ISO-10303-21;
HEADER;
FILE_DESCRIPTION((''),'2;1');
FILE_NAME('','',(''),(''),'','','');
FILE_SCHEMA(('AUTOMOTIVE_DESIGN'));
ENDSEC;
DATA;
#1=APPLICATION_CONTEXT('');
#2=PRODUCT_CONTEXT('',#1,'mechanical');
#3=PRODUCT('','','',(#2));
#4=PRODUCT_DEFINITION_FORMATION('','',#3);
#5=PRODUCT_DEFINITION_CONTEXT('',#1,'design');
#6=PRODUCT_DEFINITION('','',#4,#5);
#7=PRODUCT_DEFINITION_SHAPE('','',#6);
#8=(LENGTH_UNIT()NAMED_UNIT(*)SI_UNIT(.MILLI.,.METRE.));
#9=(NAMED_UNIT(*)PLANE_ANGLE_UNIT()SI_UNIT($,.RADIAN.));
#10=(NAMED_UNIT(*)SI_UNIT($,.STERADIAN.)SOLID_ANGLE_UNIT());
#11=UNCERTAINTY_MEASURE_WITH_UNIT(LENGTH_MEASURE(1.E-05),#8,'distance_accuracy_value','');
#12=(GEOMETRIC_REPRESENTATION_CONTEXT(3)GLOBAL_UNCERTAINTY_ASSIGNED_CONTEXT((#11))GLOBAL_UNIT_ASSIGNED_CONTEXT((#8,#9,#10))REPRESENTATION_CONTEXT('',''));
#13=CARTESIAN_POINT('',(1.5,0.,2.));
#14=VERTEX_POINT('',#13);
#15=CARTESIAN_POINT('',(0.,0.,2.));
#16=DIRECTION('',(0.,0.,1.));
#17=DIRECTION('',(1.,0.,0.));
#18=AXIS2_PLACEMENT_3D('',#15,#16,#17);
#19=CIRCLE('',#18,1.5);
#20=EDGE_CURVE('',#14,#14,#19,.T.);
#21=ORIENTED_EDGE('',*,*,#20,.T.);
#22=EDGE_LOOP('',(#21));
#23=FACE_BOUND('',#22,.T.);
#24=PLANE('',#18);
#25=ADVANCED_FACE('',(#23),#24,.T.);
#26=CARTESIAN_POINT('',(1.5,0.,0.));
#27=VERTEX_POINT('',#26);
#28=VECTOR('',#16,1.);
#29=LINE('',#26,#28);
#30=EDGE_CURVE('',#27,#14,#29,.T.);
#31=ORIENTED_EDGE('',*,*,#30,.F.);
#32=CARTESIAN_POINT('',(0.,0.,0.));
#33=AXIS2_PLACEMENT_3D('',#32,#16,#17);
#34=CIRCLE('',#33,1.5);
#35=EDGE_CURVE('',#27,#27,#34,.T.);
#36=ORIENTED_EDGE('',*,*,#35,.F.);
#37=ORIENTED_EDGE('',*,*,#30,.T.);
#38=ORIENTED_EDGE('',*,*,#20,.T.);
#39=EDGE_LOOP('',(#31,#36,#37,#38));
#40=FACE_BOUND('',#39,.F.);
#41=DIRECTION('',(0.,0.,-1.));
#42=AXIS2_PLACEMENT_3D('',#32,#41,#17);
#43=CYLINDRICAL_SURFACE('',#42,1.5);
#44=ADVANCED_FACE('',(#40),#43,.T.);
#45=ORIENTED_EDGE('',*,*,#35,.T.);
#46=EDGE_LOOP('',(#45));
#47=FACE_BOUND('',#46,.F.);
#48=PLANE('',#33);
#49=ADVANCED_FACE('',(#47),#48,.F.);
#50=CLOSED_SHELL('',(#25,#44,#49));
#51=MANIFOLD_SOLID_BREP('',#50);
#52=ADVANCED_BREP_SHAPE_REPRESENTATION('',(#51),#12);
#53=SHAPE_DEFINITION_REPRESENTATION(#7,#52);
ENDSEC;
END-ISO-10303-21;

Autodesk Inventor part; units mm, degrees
ref_plane "YZ Plane" through (0, 0, 0) normal (1, 0, 0) x (0, 1, 0)
ref_plane "XZ Plane" through (0, 0, 0) normal (0, 1, 0) x (-1, 0, 0)
ref_plane "XY Plane" through (0, 0, 0) normal (0, 0, 1) x (1, 0, 0)
sketch "Sketch1" plane through (0, 0, 0) normal (0, 0, 1) x (1, 0, 0)
  circle A0 centre (0, 0) radius 1.5
  dimension "d0" = 3
extrude "Extrusion1" add sketch "Sketch1" along normal blind 2
properties material "Glass, Frosted"
